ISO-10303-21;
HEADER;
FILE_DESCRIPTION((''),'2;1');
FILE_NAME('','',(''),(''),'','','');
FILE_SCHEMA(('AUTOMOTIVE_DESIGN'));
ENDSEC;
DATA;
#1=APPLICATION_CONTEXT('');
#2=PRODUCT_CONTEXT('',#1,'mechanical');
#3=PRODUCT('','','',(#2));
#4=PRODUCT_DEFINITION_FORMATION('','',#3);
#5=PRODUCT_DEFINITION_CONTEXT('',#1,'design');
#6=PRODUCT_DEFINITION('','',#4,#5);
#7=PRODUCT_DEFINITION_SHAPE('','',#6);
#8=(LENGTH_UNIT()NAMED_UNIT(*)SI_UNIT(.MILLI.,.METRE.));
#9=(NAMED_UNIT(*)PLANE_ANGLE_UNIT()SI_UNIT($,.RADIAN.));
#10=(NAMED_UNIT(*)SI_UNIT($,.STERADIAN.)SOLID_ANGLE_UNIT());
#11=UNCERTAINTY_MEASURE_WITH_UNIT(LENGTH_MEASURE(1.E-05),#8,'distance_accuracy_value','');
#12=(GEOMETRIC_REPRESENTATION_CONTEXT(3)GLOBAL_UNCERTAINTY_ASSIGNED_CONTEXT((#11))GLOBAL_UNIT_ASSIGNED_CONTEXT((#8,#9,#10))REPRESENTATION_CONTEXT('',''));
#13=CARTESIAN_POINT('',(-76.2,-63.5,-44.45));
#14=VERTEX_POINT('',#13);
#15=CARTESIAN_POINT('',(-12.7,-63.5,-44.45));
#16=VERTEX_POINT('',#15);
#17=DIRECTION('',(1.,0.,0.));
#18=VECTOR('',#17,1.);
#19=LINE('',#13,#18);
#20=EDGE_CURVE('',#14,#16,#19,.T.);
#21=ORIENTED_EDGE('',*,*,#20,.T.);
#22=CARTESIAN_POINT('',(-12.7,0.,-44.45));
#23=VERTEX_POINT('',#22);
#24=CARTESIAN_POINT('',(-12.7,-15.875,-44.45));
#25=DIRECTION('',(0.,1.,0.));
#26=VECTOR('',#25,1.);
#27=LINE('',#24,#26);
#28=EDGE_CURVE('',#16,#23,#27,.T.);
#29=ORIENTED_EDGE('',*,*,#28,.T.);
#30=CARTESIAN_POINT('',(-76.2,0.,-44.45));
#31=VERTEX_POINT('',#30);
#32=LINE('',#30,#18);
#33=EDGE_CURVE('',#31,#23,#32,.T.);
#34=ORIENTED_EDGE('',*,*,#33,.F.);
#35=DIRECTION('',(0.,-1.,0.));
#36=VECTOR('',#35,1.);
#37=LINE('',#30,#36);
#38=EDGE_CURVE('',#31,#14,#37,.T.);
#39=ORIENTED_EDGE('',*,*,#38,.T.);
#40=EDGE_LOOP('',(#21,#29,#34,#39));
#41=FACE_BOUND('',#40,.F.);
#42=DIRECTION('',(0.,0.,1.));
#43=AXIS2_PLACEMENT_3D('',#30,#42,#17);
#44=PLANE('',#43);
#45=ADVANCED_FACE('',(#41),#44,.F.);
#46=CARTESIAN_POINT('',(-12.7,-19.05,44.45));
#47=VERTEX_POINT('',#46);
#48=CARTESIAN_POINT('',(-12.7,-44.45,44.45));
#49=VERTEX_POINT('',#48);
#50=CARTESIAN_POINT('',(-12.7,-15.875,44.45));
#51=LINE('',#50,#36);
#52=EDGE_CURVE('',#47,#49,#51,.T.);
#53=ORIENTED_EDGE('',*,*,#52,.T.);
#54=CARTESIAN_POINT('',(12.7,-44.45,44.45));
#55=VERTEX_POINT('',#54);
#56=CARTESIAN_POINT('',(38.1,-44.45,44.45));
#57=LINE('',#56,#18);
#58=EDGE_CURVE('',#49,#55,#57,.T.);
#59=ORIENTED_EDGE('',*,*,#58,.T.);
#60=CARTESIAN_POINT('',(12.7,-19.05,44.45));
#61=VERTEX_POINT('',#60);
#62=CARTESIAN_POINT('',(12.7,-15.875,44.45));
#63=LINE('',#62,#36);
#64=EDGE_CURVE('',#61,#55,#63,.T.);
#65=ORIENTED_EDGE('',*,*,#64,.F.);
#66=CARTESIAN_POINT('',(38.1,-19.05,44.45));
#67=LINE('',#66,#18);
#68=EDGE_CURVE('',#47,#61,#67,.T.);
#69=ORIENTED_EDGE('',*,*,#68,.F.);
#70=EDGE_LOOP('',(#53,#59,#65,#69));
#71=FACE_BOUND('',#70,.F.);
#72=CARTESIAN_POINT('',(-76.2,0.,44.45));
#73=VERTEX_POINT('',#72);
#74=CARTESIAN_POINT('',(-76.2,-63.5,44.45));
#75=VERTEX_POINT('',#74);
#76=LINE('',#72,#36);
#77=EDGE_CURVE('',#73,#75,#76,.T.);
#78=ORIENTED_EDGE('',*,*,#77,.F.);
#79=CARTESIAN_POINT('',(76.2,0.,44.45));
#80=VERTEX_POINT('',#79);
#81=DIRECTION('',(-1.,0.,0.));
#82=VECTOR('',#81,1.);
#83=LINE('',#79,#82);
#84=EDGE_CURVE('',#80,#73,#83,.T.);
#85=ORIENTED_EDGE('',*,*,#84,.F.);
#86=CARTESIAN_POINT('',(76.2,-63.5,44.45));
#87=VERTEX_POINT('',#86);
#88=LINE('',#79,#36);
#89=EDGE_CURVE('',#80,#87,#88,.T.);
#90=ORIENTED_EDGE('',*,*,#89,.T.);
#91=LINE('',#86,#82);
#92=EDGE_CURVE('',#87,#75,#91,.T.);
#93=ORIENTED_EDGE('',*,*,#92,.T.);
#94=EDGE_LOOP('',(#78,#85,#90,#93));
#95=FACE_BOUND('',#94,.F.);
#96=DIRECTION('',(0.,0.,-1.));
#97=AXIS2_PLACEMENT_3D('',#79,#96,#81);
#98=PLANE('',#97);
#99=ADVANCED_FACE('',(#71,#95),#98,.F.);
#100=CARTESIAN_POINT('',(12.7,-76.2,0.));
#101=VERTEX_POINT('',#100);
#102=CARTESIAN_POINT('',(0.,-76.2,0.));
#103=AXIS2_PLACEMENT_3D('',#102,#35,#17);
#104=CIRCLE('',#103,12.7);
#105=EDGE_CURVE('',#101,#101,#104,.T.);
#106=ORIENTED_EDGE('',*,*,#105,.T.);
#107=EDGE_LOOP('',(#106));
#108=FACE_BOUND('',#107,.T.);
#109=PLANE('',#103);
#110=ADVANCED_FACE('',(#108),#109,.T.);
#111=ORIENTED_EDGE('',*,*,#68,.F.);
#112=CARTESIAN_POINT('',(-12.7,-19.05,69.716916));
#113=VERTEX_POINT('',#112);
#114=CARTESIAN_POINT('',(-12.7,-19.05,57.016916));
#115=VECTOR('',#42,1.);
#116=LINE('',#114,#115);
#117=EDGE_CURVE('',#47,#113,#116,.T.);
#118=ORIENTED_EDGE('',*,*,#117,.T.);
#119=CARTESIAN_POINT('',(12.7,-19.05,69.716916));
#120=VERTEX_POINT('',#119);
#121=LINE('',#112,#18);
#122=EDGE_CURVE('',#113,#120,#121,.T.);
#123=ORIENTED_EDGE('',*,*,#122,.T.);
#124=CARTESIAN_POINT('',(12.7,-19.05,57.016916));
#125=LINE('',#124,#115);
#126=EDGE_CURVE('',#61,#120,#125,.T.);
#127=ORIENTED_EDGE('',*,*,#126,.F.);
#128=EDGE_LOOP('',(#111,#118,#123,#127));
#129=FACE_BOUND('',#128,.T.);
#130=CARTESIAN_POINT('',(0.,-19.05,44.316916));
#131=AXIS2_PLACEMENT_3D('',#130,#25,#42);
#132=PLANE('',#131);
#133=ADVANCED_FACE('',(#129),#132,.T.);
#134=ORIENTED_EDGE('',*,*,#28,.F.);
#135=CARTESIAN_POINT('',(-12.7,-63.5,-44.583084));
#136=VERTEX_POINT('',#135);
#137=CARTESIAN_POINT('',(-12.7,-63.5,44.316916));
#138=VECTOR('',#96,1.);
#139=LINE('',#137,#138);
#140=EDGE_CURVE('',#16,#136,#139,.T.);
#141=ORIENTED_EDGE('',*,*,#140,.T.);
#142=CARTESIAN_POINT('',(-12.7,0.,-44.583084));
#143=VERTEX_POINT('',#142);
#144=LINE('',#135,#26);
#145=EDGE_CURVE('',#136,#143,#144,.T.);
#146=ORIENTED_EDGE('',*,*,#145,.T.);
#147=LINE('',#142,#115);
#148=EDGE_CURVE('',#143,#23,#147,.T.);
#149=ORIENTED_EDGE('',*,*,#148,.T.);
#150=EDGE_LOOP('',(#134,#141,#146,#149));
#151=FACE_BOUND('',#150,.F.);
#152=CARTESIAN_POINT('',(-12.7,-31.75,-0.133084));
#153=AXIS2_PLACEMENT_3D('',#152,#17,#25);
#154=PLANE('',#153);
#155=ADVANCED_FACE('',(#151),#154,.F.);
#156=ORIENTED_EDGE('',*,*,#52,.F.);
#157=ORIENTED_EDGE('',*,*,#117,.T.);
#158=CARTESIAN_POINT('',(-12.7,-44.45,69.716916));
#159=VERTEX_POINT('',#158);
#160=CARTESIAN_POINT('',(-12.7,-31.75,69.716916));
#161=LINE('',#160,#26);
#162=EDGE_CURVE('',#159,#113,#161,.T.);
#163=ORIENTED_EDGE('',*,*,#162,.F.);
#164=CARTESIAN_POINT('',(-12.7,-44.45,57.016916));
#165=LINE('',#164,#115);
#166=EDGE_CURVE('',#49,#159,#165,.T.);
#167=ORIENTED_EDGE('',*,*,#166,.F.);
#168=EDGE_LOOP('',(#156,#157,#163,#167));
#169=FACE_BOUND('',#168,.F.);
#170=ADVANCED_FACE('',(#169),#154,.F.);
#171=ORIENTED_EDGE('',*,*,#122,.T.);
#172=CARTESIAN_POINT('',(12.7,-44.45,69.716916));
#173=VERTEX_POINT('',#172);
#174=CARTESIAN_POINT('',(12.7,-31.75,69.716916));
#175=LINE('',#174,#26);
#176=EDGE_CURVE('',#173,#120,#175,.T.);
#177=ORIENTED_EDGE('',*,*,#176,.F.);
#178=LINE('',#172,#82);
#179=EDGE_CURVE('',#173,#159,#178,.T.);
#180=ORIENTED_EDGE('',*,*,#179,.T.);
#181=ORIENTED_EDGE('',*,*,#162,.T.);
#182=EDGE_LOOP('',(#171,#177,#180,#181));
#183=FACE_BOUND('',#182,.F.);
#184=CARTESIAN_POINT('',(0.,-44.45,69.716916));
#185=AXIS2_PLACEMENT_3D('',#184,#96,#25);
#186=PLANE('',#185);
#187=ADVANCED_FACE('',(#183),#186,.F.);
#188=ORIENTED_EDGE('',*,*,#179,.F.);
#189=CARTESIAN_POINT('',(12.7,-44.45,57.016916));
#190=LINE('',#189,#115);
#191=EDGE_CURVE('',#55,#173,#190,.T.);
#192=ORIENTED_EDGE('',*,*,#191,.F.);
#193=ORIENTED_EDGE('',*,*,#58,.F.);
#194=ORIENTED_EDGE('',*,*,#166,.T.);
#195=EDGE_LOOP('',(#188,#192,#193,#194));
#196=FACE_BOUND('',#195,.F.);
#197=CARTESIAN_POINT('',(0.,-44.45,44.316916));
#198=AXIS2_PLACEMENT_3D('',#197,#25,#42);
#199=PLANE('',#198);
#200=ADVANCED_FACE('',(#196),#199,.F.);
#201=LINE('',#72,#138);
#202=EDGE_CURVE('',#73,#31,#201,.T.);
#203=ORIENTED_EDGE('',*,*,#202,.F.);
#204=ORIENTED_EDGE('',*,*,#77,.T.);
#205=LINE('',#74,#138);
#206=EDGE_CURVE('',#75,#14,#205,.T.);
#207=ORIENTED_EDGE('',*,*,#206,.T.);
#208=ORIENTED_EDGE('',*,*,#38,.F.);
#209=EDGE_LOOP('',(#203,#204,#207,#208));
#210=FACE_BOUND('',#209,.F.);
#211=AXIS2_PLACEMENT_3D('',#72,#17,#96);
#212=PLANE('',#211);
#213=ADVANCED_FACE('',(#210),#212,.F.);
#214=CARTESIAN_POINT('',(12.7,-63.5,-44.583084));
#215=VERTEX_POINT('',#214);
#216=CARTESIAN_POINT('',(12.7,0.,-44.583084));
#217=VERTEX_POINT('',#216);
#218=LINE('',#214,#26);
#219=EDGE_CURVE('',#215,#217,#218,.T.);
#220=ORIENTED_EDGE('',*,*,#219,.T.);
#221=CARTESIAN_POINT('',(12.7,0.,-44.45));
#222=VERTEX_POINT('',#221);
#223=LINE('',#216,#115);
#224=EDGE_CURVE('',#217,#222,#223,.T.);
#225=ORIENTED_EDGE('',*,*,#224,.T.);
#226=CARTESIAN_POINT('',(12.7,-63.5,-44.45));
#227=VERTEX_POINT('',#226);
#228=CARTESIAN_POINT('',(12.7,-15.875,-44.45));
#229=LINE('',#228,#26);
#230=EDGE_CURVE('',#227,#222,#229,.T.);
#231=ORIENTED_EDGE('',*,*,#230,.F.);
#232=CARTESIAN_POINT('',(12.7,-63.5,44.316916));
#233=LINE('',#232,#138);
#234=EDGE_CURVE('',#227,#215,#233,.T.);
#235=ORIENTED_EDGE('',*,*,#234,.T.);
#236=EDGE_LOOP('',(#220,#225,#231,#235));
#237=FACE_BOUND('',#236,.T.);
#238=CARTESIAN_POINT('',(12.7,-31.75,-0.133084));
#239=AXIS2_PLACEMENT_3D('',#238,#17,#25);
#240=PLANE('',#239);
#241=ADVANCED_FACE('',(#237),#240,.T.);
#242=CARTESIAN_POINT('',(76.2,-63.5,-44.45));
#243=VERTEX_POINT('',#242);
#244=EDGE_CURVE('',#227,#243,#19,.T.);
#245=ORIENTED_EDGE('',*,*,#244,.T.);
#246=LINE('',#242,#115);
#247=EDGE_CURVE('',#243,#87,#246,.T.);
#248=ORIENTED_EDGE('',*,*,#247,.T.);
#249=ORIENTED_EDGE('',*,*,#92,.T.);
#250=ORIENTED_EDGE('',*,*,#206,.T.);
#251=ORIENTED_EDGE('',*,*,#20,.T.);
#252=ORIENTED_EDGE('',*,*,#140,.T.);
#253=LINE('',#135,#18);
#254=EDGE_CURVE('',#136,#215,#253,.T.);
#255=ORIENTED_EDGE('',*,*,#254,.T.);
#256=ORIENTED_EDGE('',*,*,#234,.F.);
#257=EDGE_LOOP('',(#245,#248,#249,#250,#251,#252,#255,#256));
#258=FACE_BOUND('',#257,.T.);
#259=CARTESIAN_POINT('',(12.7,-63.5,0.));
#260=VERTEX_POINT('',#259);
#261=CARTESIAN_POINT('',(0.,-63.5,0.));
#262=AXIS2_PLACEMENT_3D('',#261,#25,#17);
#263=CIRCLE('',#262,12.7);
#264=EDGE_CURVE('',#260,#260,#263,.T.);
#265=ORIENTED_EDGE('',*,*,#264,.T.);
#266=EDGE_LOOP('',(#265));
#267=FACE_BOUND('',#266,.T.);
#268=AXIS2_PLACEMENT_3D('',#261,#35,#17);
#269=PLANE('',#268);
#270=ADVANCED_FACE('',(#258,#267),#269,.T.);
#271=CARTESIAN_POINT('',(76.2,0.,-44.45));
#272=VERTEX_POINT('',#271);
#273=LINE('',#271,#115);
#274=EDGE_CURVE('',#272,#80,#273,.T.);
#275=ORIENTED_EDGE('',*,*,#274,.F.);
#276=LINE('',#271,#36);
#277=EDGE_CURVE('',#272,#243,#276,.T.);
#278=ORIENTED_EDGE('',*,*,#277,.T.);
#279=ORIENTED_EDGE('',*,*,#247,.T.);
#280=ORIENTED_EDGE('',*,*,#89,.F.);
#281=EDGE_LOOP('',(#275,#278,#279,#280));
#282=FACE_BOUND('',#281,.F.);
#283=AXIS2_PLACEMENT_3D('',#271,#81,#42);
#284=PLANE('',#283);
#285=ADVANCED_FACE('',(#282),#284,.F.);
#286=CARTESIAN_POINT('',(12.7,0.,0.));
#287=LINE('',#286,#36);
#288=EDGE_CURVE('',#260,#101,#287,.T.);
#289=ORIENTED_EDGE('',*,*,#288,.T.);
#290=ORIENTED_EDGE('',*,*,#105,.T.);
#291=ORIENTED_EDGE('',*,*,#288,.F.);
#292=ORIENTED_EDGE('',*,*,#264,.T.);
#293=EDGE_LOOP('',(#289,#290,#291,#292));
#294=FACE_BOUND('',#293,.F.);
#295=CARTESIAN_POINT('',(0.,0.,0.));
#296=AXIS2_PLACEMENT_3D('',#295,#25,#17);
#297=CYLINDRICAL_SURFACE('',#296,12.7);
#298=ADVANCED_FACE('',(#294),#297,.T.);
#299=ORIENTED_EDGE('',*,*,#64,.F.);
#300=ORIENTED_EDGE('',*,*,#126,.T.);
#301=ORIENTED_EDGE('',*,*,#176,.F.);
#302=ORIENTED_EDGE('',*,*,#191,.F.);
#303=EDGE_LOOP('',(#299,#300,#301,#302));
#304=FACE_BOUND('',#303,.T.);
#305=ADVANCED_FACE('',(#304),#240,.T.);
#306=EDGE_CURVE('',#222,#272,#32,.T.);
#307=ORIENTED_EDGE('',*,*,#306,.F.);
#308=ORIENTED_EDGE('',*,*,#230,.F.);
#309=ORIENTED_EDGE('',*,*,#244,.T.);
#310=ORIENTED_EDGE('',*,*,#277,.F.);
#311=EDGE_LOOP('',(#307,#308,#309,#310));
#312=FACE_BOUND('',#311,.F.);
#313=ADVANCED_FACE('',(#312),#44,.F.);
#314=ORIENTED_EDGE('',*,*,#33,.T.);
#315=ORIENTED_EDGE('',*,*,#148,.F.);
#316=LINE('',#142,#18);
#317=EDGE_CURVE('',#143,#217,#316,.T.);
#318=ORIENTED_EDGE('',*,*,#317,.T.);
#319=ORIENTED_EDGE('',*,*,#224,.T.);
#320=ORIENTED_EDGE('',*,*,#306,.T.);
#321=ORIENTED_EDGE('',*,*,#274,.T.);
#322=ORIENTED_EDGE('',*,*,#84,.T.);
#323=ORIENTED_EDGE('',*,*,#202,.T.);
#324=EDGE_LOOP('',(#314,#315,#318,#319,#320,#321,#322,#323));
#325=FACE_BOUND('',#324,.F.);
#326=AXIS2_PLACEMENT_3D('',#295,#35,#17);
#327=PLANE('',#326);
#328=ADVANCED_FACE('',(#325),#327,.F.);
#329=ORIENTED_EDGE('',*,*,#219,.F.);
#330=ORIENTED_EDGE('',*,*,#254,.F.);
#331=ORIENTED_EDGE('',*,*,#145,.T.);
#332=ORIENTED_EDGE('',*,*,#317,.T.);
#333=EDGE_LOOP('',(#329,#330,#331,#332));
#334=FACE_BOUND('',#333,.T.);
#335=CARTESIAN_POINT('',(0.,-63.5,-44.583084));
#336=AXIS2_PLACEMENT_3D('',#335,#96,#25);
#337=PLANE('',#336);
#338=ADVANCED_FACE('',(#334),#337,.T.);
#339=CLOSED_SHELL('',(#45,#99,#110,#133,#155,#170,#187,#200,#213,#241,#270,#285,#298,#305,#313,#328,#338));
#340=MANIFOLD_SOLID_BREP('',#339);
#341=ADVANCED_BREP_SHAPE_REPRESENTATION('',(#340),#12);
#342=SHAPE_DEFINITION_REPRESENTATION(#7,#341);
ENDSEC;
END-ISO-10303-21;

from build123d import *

# Parameters (mm, degrees)
F0_R     = 12.7
F1_DEPTH = 63.5
F2_DEPTH = 76.2
F3_W     = 25.4
F3_H     = 25.4
F4_DEPTH = 12.7


with BuildPart() as f1:
    # F0 (on Front) → F1 (new body)
    with BuildSketch(Plane.XZ):
        Polygon((-12.7, 44.45), (-76.2, 44.45), (-76.2, -44.45), (76.2, -44.45), (76.2, 44.45), (12.7, 44.45), align=None)
        Circle(F0_R, mode=Mode.SUBTRACT)
    extrude(amount=F1_DEPTH)

    # F0 (on Front) → F2 (join)
    with BuildSketch(Plane.XZ):
        Circle(F0_R)
    extrude(amount=F2_DEPTH)

    # F3 (on Right) → F4 (join, symmetric)
    with BuildSketch(Plane.YZ):
        Polygon((-44.45, 44.316916), (-63.5, 44.316916), (-63.5, -44.583084), (0, -44.583084), (0, 44.316916), (-19.05, 44.316916), align=None)
        with Locations((-31.75, 57.016916)):
            Rectangle(F3_W, F3_H)
    extrude(amount=F4_DEPTH, both=True)


solid = f1.part
